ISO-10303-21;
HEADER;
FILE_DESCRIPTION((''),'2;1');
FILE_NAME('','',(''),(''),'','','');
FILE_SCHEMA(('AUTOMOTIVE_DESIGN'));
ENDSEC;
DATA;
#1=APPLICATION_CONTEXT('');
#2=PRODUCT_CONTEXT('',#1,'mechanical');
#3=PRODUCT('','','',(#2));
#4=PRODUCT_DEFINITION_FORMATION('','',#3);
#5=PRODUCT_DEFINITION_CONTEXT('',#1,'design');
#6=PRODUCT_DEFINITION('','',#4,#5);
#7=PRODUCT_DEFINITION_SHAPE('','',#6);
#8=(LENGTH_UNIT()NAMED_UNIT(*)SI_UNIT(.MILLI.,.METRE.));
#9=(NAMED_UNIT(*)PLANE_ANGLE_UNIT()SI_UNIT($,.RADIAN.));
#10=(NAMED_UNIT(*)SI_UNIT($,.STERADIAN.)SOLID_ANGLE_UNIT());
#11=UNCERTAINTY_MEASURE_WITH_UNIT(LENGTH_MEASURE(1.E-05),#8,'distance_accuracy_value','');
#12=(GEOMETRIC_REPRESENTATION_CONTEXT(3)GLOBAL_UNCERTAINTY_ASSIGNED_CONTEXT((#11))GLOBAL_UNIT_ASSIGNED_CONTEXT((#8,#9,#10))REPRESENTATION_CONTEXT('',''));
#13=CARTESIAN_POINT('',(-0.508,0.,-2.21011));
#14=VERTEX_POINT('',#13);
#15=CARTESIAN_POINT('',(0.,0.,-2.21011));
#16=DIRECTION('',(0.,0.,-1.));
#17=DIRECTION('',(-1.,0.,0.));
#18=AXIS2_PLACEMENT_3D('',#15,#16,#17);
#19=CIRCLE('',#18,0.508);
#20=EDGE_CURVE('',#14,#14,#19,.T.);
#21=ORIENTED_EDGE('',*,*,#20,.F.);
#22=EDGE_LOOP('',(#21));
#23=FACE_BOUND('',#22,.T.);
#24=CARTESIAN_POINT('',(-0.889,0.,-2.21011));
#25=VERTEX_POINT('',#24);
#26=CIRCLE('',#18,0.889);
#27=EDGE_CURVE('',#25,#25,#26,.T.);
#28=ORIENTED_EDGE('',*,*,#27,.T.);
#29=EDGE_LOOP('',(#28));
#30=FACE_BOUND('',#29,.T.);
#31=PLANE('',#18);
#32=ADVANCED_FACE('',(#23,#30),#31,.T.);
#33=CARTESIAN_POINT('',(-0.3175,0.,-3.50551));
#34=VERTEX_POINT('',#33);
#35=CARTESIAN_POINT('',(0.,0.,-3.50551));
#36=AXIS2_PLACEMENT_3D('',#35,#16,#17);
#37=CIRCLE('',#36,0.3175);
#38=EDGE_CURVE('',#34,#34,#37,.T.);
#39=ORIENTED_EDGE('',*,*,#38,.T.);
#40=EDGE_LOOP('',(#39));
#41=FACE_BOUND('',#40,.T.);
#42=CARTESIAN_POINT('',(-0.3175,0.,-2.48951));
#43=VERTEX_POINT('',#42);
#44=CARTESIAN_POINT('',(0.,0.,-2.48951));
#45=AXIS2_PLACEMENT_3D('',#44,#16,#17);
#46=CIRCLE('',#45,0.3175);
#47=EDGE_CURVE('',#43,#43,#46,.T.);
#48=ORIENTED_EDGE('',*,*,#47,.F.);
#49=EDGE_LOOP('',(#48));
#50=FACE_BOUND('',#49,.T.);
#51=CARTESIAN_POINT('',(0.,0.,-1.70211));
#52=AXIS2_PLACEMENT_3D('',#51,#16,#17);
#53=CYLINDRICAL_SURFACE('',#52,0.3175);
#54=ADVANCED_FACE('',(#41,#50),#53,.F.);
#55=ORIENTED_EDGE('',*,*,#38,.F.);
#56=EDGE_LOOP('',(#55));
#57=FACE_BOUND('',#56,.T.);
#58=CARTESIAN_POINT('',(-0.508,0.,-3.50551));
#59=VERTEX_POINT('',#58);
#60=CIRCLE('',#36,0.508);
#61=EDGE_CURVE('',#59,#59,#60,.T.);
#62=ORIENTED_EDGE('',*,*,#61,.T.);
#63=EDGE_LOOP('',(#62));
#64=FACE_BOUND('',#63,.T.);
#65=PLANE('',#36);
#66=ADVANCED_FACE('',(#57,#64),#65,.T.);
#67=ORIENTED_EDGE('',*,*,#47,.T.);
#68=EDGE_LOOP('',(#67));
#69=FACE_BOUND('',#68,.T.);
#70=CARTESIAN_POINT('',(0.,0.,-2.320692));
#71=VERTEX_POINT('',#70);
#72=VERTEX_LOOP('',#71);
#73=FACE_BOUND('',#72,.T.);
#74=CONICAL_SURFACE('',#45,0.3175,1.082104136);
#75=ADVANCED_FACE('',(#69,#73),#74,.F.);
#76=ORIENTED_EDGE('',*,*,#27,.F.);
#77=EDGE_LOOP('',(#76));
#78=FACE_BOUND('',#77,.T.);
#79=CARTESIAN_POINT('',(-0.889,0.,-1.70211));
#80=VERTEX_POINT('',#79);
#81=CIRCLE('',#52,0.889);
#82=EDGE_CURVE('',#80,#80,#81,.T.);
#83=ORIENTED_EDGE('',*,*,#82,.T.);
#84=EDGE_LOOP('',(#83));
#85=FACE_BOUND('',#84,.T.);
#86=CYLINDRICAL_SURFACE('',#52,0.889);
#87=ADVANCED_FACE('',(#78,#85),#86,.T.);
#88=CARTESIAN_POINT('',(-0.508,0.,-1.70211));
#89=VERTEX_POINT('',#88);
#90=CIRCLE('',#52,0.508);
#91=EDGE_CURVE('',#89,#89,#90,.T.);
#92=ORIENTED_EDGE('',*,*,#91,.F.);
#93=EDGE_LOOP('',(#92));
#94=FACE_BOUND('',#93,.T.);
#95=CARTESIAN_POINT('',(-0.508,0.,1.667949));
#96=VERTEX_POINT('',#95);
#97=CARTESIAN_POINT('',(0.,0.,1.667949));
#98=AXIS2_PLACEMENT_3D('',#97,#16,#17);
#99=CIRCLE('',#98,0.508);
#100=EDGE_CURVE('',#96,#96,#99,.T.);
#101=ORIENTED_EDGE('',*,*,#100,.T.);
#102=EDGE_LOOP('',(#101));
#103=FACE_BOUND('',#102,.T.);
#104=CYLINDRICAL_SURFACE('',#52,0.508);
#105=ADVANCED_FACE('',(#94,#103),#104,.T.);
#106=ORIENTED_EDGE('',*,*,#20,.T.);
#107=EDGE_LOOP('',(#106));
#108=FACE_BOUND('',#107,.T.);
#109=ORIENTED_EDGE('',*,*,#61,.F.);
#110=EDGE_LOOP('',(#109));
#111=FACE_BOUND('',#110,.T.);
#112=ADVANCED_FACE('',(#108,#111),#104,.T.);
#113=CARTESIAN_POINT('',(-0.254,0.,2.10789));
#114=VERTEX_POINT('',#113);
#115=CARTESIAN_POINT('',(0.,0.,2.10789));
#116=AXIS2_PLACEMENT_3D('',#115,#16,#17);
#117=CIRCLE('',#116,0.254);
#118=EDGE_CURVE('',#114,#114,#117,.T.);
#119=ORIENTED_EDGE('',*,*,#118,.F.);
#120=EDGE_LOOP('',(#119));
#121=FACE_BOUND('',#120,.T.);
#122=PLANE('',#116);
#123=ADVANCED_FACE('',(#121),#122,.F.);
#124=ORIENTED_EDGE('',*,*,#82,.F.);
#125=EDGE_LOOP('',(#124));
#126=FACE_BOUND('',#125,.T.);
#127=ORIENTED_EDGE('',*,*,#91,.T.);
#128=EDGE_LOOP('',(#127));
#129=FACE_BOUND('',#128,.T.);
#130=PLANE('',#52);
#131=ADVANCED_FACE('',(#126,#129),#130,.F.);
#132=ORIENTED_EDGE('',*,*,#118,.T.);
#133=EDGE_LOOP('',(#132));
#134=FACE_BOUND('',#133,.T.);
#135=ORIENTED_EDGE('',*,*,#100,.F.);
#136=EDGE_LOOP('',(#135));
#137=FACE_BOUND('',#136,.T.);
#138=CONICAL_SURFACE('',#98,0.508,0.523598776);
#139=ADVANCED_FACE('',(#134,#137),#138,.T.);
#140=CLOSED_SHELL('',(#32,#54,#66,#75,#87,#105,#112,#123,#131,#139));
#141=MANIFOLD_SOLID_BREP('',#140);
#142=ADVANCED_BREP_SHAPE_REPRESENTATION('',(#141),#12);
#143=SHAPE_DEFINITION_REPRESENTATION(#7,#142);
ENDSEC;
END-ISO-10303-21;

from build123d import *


with BuildPart() as part:
    # Sketch1 → Revolve1 (revolve)
    with BuildSketch(Plane(origin=(0, 0, 0), x_dir=(1, 0, 0), z_dir=(0, 1, 0)), mode=Mode.PRIVATE) as revolve1_sk:
        Polygon((0, 1.702109795), (0, -2.107890205), (0.254, -2.107890205), (0.508, -1.6679493), (0.508, 1.702109795), align=None)
        Polygon((0, 2.210109795), (0, 1.702109795), (0.508, 1.702109795), (0.889, 1.702109795), (0.889, 2.210109795), (0.508, 2.210109795), align=None)
        Polygon((0, 2.32069205), (0, 2.210109795), (0.508, 2.210109795), (0.508, 3.505509795), (0.3175, 3.505509795), (0.3175, 2.489509795), align=None)
    revolve(revolve1_sk.sketch.rotate(Axis((0, 0, -1.702109795), (0, 0, 1)), 180), axis=Axis((0, 0, -1.702109795), (0, 0, 1)))


solid = part.part
